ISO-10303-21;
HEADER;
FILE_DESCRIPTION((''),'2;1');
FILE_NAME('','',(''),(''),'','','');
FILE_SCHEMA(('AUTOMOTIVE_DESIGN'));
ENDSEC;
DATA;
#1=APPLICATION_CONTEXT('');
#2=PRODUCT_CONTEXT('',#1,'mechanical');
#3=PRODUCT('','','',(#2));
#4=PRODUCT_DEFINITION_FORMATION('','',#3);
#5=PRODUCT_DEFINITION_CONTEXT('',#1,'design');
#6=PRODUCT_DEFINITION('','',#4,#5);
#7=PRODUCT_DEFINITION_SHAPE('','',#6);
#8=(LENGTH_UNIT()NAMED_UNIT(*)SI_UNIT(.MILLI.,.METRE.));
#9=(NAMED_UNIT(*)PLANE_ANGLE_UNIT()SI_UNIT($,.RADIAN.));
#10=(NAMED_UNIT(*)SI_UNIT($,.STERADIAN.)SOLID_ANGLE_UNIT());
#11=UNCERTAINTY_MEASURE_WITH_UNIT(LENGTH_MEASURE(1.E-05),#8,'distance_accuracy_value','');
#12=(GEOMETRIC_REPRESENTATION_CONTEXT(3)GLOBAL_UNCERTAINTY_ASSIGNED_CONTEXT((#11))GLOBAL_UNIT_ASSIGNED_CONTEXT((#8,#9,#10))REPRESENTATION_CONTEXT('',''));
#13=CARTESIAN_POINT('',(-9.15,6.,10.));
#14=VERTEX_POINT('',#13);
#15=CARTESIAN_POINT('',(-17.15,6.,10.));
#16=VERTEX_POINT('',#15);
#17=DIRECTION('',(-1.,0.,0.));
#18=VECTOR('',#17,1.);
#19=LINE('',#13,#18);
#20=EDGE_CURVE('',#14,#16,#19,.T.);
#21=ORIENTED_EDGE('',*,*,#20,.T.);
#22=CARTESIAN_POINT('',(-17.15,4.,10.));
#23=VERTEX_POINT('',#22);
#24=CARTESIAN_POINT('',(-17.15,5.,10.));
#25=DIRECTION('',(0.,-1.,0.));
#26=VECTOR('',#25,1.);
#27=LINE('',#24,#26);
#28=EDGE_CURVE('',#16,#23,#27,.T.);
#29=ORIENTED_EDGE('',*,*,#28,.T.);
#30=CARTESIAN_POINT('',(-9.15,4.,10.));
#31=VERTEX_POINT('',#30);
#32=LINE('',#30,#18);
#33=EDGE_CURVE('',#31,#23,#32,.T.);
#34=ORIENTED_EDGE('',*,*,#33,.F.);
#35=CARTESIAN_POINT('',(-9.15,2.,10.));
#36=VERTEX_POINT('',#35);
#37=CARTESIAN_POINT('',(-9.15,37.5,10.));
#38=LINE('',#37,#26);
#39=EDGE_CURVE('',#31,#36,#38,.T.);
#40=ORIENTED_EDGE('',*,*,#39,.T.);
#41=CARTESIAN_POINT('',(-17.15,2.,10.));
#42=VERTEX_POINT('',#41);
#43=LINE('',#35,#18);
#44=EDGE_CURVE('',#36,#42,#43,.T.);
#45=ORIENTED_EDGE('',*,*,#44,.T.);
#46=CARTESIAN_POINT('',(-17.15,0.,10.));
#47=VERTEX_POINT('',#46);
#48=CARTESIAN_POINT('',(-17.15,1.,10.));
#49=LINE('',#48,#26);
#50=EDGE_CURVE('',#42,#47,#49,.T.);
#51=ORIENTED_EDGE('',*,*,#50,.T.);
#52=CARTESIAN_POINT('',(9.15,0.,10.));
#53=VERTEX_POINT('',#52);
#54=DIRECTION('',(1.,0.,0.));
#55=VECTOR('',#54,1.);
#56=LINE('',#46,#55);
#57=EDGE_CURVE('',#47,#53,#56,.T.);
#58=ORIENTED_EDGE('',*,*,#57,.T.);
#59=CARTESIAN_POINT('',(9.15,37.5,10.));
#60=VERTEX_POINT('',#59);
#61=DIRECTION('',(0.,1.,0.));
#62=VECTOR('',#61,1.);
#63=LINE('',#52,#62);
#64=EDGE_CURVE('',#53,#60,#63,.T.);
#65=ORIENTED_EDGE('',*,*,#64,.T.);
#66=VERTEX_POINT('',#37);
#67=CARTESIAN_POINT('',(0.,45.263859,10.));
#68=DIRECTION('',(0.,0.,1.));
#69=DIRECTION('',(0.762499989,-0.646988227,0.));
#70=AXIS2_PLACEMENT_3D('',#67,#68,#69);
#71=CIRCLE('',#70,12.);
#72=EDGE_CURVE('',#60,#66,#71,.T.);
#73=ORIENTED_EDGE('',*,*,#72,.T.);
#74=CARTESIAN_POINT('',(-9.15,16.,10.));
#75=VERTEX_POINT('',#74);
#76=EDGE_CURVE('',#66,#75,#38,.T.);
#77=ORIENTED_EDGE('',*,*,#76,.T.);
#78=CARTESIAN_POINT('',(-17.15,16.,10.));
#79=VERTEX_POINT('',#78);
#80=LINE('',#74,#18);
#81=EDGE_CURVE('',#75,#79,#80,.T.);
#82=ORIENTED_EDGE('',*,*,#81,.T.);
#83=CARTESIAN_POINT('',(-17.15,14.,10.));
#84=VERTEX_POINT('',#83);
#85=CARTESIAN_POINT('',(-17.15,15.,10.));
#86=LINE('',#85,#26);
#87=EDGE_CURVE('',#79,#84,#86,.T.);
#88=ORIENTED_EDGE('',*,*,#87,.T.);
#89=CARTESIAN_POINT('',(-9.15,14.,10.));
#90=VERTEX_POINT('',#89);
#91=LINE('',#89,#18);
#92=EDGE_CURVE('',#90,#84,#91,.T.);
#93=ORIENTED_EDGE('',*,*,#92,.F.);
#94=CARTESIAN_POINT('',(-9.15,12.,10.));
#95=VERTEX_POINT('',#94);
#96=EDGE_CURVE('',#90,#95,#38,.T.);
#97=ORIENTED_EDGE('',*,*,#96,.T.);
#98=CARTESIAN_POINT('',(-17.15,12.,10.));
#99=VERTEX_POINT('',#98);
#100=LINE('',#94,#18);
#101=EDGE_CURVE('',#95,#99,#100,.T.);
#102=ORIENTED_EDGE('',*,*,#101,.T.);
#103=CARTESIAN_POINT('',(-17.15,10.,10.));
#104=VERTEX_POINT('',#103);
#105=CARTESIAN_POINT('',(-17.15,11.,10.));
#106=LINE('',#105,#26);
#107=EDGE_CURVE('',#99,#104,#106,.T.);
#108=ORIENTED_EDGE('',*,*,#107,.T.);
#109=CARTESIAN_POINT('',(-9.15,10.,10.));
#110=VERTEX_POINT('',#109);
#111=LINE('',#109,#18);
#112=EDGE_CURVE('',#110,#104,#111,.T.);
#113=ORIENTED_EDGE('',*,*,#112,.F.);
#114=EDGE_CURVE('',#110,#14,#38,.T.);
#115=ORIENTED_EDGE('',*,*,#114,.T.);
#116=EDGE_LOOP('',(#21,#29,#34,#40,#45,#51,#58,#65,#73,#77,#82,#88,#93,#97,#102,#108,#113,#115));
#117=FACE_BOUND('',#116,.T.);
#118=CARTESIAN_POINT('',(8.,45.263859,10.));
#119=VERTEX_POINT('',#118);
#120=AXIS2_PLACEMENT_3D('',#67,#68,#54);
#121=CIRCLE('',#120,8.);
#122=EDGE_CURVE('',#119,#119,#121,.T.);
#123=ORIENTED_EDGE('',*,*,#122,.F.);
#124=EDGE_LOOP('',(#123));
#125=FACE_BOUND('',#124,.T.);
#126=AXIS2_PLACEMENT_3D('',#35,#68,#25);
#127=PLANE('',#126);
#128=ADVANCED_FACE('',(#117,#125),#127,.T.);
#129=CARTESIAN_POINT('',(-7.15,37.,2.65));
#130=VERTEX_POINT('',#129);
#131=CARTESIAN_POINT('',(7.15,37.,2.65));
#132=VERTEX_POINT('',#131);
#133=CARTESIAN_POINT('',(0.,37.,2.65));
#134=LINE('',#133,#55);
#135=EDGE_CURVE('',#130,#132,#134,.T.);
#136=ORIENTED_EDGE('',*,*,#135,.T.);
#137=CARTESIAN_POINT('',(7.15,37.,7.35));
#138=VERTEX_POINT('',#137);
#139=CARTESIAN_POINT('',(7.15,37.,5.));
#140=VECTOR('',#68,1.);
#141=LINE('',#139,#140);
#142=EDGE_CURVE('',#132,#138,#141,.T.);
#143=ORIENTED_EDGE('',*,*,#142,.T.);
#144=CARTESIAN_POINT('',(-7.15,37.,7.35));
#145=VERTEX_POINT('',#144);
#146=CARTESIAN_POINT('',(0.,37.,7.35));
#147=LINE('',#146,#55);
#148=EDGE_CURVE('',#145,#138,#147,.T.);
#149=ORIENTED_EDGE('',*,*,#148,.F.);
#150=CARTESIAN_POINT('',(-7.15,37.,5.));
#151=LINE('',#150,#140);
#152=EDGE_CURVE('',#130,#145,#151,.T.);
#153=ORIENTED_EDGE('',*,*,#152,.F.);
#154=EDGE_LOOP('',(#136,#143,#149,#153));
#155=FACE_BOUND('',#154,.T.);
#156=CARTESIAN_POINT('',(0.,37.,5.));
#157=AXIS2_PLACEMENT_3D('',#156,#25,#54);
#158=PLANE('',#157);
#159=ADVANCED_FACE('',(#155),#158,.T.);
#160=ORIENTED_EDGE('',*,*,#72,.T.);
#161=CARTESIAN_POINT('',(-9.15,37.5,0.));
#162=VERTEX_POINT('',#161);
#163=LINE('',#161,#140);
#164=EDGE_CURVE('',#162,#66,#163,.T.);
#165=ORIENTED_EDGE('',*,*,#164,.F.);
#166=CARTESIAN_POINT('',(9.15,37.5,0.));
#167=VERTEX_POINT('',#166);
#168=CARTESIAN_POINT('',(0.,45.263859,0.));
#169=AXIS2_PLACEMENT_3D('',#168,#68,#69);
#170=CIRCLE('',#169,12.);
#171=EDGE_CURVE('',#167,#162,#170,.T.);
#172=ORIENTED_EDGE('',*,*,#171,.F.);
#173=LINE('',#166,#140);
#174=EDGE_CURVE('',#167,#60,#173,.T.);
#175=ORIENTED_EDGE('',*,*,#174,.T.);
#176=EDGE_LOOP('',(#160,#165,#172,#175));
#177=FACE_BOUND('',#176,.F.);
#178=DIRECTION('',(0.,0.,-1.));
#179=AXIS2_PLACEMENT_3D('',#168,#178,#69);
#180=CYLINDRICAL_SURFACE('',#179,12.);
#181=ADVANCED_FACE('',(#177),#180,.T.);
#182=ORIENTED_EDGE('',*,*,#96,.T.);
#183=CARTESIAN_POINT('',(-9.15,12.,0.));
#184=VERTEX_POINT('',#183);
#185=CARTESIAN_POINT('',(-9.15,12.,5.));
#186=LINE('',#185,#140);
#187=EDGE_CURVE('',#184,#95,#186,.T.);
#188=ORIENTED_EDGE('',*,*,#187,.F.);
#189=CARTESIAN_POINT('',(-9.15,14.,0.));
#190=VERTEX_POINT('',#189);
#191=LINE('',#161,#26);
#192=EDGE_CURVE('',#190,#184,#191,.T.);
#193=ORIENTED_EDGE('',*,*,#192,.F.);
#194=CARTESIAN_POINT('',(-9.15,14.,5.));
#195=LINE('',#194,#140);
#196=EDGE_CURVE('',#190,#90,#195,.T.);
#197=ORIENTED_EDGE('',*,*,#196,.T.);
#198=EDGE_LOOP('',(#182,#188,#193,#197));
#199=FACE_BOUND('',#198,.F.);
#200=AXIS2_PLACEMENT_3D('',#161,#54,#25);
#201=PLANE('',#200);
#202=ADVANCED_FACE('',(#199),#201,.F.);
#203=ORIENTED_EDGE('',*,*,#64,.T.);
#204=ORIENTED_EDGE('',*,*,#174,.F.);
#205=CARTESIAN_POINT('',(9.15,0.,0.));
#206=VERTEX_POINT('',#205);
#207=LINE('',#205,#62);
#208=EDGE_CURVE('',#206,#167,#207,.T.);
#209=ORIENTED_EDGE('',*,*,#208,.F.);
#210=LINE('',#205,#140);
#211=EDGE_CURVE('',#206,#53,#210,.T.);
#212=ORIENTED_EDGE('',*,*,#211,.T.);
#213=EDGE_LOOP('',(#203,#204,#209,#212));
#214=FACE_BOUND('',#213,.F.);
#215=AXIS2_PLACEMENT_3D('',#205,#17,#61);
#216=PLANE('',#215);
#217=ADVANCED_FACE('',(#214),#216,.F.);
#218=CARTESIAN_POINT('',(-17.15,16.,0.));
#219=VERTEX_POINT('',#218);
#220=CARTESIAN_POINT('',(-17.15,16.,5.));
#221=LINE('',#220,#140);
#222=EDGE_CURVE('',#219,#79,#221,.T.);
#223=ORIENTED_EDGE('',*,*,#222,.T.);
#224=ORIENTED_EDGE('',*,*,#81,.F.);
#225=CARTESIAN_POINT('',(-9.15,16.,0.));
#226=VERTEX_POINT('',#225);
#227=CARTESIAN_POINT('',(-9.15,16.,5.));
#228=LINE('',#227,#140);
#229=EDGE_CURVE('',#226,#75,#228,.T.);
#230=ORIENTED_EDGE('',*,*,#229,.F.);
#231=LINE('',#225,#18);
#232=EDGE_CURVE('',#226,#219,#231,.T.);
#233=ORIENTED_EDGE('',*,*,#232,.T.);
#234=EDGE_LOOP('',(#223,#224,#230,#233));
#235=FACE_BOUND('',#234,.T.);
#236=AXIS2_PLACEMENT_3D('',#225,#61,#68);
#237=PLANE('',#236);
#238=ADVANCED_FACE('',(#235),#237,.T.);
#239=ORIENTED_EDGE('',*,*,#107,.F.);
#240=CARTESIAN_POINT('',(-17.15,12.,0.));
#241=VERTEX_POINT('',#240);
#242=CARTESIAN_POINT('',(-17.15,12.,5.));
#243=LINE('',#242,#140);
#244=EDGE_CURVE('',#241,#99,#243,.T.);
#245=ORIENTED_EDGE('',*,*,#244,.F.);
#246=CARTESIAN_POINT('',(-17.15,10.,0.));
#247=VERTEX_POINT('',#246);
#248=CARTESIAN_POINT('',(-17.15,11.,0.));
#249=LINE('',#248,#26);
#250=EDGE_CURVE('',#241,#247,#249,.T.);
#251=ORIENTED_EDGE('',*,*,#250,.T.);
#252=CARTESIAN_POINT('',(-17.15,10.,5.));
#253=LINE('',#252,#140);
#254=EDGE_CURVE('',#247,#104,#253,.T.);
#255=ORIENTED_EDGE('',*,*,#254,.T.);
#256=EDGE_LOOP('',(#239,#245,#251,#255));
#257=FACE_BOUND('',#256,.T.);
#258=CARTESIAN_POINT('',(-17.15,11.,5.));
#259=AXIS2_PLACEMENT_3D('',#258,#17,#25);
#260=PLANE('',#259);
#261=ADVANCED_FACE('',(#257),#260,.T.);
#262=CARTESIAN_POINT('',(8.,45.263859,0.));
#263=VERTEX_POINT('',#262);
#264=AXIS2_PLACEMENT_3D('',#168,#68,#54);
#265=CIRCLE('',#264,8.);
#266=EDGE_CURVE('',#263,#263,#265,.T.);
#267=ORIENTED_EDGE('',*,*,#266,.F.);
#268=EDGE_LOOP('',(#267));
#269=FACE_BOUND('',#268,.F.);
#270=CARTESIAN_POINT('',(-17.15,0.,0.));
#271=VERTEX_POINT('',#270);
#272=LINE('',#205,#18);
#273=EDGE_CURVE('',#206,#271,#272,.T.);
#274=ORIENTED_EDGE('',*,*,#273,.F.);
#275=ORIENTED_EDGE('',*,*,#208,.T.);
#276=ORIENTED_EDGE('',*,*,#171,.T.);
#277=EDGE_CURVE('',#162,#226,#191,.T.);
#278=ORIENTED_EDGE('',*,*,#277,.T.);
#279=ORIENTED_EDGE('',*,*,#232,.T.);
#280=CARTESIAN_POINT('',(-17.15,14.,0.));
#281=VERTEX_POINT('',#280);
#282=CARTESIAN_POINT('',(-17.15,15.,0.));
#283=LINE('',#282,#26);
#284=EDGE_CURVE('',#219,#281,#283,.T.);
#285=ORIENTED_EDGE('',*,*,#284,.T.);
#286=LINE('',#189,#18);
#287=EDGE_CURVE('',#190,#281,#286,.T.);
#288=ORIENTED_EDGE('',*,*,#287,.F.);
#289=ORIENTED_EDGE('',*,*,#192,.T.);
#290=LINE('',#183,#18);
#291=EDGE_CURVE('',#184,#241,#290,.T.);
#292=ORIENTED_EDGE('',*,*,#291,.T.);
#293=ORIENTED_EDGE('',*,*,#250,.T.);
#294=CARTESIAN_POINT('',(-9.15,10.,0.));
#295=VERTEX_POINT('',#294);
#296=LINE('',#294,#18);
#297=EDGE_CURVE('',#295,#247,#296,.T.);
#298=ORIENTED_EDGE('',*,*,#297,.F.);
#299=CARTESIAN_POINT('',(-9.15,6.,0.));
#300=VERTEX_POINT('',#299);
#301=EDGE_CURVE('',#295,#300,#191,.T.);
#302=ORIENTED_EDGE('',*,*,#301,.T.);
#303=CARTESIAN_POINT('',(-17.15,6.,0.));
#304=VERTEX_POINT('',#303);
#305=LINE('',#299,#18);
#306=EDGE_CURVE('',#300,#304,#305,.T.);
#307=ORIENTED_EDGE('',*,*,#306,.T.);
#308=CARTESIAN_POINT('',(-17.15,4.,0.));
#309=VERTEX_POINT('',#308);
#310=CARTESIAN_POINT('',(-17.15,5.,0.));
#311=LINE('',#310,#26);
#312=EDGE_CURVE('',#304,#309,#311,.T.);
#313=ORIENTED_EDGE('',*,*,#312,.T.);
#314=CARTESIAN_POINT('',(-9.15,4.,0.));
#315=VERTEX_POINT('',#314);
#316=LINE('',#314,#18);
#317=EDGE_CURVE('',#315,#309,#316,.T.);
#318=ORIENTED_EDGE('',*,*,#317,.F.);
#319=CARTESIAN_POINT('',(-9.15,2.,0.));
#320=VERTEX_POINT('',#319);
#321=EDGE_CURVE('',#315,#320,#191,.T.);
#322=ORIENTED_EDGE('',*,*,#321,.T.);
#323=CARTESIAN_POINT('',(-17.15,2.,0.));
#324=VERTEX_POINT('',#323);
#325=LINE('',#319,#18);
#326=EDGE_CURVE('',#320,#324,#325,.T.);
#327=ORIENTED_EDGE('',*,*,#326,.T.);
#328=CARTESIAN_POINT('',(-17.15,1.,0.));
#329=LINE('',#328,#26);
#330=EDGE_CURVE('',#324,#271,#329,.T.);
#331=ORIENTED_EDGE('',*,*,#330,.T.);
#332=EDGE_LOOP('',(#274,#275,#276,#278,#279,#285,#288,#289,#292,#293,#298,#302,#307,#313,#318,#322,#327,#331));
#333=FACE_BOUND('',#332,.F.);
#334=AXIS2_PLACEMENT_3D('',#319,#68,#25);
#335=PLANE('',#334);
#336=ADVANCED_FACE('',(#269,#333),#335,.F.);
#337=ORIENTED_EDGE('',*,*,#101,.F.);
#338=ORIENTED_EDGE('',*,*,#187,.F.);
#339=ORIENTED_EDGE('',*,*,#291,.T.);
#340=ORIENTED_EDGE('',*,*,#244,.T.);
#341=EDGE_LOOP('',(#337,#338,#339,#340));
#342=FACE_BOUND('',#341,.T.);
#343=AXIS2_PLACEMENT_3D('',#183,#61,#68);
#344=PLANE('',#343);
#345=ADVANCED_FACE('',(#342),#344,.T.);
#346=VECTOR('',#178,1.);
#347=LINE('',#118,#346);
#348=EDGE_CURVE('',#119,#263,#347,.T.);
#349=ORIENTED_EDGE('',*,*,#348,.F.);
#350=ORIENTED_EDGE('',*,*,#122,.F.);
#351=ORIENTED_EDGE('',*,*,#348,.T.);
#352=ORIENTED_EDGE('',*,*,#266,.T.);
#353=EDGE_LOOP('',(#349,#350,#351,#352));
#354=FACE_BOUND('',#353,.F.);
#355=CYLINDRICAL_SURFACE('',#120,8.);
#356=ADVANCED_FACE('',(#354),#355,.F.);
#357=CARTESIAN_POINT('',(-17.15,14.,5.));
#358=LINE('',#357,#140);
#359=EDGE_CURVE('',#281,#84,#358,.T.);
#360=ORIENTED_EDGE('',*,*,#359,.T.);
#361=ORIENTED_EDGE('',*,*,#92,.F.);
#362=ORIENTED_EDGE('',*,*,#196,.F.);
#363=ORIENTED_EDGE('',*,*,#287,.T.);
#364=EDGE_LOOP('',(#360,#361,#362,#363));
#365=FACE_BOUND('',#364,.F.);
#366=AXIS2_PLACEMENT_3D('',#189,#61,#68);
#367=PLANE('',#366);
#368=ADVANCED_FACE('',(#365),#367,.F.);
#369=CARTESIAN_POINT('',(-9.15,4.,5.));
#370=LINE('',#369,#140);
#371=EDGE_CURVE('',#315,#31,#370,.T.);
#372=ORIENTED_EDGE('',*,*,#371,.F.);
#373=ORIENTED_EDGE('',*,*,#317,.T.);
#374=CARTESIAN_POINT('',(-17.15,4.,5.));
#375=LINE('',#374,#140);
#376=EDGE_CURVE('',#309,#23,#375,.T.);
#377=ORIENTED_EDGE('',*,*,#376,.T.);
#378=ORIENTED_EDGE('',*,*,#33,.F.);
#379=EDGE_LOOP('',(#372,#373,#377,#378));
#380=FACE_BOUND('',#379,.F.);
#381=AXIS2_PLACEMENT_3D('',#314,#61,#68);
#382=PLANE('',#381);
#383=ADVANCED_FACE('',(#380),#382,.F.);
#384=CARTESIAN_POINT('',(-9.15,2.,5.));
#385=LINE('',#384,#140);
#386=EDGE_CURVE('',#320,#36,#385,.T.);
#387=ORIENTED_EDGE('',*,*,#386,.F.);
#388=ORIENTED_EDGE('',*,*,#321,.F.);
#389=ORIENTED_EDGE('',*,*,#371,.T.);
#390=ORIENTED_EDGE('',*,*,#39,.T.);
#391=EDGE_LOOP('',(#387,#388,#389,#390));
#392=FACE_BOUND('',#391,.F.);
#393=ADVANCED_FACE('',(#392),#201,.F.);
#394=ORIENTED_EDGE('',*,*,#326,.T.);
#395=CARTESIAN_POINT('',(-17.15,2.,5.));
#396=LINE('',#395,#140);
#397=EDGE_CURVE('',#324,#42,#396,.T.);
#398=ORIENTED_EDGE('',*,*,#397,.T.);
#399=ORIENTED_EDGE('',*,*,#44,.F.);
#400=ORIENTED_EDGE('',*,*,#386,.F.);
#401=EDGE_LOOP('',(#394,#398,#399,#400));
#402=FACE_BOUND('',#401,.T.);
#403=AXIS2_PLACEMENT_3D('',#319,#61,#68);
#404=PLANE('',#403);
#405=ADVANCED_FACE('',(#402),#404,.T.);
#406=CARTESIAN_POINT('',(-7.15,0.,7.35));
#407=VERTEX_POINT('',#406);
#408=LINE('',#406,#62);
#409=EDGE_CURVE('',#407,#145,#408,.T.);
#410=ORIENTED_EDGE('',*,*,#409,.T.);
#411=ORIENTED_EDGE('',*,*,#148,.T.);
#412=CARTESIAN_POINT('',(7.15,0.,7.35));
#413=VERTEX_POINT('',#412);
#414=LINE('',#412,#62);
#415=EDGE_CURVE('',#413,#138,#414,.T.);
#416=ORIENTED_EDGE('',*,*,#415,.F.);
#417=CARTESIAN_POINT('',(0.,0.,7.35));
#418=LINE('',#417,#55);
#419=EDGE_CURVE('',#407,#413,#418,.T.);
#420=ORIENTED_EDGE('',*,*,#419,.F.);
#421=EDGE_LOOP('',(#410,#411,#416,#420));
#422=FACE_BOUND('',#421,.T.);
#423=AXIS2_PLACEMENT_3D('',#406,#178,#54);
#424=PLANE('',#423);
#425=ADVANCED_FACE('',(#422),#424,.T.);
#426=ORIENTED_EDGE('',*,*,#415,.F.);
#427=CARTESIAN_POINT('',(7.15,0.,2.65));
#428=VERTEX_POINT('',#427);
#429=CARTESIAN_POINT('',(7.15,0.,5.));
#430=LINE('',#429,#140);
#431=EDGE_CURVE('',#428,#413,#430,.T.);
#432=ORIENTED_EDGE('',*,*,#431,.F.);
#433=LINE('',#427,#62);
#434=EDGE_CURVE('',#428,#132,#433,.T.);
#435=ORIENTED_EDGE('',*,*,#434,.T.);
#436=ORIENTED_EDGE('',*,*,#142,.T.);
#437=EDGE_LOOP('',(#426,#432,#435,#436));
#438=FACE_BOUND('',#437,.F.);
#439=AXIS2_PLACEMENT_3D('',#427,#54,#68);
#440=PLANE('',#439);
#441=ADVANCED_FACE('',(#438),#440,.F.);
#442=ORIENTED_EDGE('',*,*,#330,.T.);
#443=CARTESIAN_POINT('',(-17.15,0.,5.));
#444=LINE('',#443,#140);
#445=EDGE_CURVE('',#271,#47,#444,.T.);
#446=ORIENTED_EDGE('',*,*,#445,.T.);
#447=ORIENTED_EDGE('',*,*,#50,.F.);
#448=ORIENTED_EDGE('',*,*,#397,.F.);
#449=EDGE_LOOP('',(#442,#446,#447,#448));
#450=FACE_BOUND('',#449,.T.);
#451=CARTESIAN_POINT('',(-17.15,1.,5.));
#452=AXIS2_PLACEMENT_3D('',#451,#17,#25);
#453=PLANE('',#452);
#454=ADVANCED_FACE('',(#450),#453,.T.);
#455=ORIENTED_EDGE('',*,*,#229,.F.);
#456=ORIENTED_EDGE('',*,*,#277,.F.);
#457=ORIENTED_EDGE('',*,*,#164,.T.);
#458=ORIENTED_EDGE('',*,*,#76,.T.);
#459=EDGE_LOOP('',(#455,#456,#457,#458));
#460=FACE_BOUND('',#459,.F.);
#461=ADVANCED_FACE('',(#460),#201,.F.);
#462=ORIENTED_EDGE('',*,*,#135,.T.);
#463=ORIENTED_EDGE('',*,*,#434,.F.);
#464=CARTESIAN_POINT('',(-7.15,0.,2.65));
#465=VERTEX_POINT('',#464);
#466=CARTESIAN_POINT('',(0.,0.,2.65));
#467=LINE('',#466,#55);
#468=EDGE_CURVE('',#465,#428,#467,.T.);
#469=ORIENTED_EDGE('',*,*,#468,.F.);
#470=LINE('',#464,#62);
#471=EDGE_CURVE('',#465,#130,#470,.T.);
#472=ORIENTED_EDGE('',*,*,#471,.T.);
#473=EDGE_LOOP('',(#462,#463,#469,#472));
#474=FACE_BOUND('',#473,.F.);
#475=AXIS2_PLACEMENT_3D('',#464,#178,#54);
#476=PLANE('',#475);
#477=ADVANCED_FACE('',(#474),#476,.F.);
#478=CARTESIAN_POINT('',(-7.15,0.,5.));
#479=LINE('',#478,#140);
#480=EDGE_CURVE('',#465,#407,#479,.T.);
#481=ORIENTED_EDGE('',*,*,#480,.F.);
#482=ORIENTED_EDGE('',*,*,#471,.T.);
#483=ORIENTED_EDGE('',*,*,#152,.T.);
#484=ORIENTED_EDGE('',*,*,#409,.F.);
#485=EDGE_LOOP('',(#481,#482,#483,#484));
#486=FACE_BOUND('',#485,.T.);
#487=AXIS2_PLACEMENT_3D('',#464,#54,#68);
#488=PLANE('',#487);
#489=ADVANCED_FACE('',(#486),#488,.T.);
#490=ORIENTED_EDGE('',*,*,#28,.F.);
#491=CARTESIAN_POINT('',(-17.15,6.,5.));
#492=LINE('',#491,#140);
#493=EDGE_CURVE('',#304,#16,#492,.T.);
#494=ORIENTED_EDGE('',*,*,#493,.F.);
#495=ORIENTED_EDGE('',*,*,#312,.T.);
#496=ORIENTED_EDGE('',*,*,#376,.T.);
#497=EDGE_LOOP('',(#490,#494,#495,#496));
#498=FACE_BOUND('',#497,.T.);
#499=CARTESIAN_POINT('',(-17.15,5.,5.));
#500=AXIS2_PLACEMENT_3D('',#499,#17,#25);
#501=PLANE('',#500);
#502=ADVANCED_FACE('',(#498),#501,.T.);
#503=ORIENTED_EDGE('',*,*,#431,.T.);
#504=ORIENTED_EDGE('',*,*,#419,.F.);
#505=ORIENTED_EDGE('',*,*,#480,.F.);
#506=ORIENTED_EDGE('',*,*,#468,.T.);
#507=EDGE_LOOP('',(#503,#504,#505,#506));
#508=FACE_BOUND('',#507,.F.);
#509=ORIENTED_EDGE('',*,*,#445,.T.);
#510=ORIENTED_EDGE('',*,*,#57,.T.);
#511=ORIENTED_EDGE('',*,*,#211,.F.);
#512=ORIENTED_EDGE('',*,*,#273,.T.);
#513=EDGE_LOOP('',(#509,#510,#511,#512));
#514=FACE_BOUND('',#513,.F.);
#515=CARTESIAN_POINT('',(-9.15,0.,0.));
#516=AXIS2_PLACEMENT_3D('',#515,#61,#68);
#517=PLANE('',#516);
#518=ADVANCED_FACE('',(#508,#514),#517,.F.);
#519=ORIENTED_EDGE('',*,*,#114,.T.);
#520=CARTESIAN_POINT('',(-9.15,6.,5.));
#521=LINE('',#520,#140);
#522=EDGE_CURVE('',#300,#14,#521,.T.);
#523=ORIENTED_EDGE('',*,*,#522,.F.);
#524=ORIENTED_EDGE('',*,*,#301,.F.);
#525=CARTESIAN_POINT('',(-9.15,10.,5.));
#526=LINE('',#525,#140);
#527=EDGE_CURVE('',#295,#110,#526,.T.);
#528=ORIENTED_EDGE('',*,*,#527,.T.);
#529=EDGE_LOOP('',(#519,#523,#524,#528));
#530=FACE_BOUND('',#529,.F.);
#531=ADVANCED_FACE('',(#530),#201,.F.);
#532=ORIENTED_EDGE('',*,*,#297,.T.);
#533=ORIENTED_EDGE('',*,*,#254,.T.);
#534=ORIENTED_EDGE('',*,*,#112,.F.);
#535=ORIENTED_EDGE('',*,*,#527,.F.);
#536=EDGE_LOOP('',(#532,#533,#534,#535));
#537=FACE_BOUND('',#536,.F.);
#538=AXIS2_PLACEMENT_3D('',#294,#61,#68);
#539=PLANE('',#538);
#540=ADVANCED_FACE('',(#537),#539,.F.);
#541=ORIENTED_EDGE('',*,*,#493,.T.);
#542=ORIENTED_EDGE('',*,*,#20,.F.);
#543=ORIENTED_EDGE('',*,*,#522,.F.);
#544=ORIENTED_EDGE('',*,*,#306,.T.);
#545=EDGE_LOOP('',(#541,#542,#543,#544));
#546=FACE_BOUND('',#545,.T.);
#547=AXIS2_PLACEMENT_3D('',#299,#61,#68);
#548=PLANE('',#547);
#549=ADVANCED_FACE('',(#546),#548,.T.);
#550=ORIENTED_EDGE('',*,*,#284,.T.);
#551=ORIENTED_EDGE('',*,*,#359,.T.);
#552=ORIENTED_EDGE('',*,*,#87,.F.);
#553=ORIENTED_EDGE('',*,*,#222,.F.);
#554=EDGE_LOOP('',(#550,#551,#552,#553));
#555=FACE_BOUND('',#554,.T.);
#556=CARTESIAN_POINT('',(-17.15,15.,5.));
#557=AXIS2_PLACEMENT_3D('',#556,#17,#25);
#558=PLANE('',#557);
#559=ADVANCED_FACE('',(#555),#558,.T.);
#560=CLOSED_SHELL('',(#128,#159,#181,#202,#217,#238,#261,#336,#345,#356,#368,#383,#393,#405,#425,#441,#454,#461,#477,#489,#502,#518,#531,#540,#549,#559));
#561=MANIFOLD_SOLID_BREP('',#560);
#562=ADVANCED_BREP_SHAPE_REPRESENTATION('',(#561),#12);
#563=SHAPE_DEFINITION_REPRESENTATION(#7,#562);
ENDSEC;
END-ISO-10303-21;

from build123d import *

# Parameters (mm, degrees)
F1_DEPTH = 10
F2_R     = 8
F3_DEPTH = 10.001
F4_W     = 14.3
F4_H     = 4.7
F5_DEPTH = 37
F6_W     = 2
F6_H     = 10
F7_DEPTH = 8


with BuildPart() as f1:
    # F0 (on Top) → F1 (new body)
    with BuildSketch(Plane.XY):
        with BuildLine():
            Line((9.15, 0), (9.15, 37.5))
            ThreePointArc((9.15, 37.5), (0, 57.263859), (-9.15, 37.5))
            Line((-9.15, 37.5), (-9.15, 0))
            Line((-9.15, 0), (9.15, 0))
        make_face()
    extrude(amount=F1_DEPTH)

    # F2 (on face) → F3 (cut, through all)
    with BuildSketch(Plane.XY.offset(10)):
        with Locations((0, 45.263859)):
            Circle(F2_R)
    extrude(amount=-F3_DEPTH, mode=Mode.SUBTRACT)

    # F4 (on face) → F5 (cut)
    with BuildSketch(Plane.XZ):
        with Locations((0, 5)):
            Rectangle(F4_W, F4_H)
    extrude(amount=-F5_DEPTH, mode=Mode.SUBTRACT)

    # F6 (on face) → F7 (join)
    with BuildSketch(Plane(origin=(-9.15, 0, 0), x_dir=(0, -1, 0), z_dir=(-1, 0, 0))):
        with Locations((-1, 5)):
            Rectangle(F6_W, F6_H)
        with Locations((-5, 5)):
            Rectangle(F6_W, F6_H)
        with Locations((-11, 5)):
            Rectangle(F6_W, F6_H)
        with Locations((-15, 5)):
            Rectangle(F6_W, F6_H)
    extrude(amount=F7_DEPTH)


solid = f1.part
